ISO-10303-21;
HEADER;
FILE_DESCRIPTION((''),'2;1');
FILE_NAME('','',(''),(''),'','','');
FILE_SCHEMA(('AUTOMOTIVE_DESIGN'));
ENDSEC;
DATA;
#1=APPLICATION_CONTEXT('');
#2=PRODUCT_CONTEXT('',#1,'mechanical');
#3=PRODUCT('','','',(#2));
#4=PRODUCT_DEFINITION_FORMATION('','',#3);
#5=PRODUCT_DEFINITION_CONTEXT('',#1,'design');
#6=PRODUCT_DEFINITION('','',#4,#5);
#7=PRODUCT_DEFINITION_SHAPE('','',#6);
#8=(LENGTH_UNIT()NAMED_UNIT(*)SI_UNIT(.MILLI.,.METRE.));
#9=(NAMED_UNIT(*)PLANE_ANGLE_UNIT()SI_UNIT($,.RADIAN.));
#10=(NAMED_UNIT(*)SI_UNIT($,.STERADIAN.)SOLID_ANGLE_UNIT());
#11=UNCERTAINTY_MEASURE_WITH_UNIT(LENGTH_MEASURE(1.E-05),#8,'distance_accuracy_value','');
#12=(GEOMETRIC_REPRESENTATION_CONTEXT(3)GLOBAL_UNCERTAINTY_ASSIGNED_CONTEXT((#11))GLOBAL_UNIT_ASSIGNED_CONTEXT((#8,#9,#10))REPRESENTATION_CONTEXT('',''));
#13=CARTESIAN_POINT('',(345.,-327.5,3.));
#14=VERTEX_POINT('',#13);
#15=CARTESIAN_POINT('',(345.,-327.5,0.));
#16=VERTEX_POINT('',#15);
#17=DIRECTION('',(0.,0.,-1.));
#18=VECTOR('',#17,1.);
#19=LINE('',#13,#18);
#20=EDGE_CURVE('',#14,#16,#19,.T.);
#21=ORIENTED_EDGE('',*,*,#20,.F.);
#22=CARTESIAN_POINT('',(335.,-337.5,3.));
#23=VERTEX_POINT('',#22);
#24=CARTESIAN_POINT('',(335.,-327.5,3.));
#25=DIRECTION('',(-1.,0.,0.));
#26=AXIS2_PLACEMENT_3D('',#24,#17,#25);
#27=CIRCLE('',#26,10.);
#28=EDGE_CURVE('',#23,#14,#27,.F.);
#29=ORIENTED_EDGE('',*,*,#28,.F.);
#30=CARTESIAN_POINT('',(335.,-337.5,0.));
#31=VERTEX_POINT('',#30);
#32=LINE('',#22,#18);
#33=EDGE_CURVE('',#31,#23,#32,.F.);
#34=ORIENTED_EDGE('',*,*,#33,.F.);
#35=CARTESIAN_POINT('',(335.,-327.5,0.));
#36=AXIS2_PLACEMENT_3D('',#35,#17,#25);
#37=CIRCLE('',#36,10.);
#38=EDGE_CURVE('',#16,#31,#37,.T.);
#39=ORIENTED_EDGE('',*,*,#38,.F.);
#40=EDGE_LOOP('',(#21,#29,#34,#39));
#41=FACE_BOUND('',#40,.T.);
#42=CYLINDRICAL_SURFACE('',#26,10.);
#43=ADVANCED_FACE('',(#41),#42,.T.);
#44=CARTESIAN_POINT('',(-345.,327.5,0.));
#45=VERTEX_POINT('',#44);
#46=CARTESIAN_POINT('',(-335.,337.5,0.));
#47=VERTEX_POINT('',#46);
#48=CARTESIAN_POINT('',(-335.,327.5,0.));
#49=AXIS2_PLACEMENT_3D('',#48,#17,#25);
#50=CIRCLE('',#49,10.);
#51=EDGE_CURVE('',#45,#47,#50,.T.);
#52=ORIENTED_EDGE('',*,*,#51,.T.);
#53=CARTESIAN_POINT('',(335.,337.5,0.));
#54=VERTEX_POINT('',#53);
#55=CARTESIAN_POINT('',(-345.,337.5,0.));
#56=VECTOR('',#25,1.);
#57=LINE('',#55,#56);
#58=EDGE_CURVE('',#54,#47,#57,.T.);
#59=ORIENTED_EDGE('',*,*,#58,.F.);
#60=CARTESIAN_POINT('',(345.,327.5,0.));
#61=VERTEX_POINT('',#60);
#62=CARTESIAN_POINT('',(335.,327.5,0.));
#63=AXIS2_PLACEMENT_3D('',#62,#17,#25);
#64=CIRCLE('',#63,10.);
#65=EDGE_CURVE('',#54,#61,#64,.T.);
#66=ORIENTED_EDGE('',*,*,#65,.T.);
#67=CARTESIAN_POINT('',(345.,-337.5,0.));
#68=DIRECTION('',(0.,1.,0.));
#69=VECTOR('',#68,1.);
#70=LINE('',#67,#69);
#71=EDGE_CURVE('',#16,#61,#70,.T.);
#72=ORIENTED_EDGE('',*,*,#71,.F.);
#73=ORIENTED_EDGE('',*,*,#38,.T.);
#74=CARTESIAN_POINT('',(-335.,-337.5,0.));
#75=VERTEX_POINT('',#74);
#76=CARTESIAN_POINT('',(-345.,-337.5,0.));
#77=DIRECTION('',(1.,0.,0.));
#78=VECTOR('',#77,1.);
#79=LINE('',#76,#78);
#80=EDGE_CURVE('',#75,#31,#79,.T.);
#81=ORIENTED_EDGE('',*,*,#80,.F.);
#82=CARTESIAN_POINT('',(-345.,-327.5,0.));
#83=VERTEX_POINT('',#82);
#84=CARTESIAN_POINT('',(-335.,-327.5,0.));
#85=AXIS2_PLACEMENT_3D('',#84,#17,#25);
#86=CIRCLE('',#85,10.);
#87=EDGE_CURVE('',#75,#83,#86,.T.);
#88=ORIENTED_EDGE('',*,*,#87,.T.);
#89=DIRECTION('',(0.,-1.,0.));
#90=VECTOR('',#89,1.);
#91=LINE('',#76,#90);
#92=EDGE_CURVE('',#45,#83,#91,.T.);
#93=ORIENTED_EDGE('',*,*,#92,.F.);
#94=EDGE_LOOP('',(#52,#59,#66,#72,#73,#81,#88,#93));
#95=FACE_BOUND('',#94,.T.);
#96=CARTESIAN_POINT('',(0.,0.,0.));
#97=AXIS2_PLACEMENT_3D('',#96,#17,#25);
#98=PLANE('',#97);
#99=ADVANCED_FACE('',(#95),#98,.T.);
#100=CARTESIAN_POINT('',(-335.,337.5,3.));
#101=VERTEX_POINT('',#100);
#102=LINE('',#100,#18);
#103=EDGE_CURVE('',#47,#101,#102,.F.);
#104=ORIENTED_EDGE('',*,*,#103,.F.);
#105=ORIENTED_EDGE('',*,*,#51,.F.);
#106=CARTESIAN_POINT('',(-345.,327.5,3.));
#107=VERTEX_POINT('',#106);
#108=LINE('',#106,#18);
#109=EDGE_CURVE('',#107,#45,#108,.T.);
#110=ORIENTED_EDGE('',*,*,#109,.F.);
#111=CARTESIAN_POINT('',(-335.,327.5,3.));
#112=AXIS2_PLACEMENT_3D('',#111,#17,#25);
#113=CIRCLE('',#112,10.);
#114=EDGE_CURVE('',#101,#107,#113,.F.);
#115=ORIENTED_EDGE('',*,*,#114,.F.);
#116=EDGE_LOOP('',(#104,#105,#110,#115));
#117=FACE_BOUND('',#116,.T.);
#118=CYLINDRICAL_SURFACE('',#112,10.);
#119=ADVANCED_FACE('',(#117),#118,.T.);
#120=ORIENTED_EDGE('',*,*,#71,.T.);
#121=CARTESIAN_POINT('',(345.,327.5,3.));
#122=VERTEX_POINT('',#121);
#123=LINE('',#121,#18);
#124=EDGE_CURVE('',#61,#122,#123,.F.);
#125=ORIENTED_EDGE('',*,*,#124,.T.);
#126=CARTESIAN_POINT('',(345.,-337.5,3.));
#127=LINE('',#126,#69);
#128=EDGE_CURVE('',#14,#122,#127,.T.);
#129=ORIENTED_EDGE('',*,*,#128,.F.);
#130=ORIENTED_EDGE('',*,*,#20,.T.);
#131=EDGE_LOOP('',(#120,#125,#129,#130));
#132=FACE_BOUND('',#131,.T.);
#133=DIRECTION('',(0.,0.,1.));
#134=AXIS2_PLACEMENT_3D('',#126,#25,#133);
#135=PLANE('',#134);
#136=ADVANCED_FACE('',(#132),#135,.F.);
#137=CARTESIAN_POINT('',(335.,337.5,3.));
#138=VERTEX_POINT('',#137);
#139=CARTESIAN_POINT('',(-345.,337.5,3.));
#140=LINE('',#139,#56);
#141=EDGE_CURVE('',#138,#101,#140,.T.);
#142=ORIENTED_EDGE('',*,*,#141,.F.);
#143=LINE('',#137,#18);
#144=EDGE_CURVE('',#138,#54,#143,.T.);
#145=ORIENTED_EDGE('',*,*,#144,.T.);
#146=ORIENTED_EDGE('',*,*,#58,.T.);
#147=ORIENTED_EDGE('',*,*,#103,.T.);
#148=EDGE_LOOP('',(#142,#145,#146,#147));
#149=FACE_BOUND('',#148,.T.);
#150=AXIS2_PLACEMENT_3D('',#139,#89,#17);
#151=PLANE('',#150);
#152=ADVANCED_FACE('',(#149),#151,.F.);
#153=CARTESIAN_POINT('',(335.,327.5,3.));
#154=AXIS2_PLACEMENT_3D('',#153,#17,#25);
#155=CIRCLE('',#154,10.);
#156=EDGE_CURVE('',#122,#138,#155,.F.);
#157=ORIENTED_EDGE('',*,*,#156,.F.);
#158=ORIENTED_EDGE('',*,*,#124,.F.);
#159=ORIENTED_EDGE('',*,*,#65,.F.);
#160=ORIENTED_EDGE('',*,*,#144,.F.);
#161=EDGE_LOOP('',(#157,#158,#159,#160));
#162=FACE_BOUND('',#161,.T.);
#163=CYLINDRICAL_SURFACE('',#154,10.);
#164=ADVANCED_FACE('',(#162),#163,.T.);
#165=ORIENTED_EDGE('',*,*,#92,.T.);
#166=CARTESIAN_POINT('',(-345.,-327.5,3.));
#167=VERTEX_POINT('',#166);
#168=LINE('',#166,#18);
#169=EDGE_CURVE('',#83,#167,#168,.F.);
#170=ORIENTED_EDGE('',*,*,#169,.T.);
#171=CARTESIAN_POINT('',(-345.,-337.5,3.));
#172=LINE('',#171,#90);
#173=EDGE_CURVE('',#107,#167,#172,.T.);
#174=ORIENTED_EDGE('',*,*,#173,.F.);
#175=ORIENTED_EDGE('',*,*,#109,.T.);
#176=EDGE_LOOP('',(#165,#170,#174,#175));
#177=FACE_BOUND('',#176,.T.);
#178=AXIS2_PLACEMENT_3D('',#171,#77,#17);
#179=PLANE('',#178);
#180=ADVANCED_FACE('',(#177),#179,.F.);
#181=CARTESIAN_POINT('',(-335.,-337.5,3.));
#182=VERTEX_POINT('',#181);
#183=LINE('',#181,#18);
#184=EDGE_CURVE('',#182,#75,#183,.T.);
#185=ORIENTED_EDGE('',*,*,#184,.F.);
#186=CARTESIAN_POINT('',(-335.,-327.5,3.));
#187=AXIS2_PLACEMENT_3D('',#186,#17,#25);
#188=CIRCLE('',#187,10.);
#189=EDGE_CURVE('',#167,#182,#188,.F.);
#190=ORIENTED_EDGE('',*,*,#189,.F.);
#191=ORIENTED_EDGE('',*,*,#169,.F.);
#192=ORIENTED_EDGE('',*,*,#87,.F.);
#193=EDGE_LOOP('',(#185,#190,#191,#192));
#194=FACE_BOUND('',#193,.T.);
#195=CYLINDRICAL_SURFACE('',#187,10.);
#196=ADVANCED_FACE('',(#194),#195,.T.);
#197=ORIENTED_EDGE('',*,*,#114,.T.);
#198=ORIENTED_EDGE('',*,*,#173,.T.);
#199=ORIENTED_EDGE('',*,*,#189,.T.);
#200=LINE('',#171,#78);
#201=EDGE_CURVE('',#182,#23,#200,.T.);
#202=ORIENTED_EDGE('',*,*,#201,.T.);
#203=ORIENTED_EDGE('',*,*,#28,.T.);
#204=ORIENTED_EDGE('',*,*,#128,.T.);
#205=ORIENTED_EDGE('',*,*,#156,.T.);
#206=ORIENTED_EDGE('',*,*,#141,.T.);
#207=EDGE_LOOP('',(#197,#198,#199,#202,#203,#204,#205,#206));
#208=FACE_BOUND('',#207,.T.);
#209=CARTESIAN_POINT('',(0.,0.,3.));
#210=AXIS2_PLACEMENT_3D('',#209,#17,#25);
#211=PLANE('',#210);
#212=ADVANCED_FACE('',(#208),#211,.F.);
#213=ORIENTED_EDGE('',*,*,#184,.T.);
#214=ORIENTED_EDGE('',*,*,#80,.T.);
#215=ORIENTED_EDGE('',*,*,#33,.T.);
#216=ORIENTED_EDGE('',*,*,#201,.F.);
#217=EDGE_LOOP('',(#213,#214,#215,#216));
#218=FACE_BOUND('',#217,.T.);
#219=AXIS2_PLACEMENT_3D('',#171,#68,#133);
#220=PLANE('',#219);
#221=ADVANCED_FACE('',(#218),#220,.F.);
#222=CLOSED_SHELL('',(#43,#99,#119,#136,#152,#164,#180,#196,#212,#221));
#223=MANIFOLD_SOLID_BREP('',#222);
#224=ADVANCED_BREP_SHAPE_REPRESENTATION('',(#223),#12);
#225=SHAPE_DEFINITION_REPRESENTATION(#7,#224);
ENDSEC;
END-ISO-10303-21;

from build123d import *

# Parameters (mm, degrees)
SKETCH_1_W      = 690
SKETCH_1_H      = 675
EXTRUDE_1_DEPTH = 3
FILLET_1_R      = 10


with BuildPart() as part:
    # 草图1 → 凸台-拉伸1 (new body)
    with BuildSketch(Plane.XY):
        Rectangle(SKETCH_1_W, SKETCH_1_H)
    extrude(amount=EXTRUDE_1_DEPTH)

    # 圆角1
    fillet_1_edges = [part.edges().sort_by_distance(p)[0] for p in [
        (345, -337.5, 1.5),
        (-345, -337.5, 1.5),
        (-345, 337.5, 1.5),
        (345, 337.5, 1.5),
    ]]
    fillet(fillet_1_edges, radius=FILLET_1_R)


solid = part.part
